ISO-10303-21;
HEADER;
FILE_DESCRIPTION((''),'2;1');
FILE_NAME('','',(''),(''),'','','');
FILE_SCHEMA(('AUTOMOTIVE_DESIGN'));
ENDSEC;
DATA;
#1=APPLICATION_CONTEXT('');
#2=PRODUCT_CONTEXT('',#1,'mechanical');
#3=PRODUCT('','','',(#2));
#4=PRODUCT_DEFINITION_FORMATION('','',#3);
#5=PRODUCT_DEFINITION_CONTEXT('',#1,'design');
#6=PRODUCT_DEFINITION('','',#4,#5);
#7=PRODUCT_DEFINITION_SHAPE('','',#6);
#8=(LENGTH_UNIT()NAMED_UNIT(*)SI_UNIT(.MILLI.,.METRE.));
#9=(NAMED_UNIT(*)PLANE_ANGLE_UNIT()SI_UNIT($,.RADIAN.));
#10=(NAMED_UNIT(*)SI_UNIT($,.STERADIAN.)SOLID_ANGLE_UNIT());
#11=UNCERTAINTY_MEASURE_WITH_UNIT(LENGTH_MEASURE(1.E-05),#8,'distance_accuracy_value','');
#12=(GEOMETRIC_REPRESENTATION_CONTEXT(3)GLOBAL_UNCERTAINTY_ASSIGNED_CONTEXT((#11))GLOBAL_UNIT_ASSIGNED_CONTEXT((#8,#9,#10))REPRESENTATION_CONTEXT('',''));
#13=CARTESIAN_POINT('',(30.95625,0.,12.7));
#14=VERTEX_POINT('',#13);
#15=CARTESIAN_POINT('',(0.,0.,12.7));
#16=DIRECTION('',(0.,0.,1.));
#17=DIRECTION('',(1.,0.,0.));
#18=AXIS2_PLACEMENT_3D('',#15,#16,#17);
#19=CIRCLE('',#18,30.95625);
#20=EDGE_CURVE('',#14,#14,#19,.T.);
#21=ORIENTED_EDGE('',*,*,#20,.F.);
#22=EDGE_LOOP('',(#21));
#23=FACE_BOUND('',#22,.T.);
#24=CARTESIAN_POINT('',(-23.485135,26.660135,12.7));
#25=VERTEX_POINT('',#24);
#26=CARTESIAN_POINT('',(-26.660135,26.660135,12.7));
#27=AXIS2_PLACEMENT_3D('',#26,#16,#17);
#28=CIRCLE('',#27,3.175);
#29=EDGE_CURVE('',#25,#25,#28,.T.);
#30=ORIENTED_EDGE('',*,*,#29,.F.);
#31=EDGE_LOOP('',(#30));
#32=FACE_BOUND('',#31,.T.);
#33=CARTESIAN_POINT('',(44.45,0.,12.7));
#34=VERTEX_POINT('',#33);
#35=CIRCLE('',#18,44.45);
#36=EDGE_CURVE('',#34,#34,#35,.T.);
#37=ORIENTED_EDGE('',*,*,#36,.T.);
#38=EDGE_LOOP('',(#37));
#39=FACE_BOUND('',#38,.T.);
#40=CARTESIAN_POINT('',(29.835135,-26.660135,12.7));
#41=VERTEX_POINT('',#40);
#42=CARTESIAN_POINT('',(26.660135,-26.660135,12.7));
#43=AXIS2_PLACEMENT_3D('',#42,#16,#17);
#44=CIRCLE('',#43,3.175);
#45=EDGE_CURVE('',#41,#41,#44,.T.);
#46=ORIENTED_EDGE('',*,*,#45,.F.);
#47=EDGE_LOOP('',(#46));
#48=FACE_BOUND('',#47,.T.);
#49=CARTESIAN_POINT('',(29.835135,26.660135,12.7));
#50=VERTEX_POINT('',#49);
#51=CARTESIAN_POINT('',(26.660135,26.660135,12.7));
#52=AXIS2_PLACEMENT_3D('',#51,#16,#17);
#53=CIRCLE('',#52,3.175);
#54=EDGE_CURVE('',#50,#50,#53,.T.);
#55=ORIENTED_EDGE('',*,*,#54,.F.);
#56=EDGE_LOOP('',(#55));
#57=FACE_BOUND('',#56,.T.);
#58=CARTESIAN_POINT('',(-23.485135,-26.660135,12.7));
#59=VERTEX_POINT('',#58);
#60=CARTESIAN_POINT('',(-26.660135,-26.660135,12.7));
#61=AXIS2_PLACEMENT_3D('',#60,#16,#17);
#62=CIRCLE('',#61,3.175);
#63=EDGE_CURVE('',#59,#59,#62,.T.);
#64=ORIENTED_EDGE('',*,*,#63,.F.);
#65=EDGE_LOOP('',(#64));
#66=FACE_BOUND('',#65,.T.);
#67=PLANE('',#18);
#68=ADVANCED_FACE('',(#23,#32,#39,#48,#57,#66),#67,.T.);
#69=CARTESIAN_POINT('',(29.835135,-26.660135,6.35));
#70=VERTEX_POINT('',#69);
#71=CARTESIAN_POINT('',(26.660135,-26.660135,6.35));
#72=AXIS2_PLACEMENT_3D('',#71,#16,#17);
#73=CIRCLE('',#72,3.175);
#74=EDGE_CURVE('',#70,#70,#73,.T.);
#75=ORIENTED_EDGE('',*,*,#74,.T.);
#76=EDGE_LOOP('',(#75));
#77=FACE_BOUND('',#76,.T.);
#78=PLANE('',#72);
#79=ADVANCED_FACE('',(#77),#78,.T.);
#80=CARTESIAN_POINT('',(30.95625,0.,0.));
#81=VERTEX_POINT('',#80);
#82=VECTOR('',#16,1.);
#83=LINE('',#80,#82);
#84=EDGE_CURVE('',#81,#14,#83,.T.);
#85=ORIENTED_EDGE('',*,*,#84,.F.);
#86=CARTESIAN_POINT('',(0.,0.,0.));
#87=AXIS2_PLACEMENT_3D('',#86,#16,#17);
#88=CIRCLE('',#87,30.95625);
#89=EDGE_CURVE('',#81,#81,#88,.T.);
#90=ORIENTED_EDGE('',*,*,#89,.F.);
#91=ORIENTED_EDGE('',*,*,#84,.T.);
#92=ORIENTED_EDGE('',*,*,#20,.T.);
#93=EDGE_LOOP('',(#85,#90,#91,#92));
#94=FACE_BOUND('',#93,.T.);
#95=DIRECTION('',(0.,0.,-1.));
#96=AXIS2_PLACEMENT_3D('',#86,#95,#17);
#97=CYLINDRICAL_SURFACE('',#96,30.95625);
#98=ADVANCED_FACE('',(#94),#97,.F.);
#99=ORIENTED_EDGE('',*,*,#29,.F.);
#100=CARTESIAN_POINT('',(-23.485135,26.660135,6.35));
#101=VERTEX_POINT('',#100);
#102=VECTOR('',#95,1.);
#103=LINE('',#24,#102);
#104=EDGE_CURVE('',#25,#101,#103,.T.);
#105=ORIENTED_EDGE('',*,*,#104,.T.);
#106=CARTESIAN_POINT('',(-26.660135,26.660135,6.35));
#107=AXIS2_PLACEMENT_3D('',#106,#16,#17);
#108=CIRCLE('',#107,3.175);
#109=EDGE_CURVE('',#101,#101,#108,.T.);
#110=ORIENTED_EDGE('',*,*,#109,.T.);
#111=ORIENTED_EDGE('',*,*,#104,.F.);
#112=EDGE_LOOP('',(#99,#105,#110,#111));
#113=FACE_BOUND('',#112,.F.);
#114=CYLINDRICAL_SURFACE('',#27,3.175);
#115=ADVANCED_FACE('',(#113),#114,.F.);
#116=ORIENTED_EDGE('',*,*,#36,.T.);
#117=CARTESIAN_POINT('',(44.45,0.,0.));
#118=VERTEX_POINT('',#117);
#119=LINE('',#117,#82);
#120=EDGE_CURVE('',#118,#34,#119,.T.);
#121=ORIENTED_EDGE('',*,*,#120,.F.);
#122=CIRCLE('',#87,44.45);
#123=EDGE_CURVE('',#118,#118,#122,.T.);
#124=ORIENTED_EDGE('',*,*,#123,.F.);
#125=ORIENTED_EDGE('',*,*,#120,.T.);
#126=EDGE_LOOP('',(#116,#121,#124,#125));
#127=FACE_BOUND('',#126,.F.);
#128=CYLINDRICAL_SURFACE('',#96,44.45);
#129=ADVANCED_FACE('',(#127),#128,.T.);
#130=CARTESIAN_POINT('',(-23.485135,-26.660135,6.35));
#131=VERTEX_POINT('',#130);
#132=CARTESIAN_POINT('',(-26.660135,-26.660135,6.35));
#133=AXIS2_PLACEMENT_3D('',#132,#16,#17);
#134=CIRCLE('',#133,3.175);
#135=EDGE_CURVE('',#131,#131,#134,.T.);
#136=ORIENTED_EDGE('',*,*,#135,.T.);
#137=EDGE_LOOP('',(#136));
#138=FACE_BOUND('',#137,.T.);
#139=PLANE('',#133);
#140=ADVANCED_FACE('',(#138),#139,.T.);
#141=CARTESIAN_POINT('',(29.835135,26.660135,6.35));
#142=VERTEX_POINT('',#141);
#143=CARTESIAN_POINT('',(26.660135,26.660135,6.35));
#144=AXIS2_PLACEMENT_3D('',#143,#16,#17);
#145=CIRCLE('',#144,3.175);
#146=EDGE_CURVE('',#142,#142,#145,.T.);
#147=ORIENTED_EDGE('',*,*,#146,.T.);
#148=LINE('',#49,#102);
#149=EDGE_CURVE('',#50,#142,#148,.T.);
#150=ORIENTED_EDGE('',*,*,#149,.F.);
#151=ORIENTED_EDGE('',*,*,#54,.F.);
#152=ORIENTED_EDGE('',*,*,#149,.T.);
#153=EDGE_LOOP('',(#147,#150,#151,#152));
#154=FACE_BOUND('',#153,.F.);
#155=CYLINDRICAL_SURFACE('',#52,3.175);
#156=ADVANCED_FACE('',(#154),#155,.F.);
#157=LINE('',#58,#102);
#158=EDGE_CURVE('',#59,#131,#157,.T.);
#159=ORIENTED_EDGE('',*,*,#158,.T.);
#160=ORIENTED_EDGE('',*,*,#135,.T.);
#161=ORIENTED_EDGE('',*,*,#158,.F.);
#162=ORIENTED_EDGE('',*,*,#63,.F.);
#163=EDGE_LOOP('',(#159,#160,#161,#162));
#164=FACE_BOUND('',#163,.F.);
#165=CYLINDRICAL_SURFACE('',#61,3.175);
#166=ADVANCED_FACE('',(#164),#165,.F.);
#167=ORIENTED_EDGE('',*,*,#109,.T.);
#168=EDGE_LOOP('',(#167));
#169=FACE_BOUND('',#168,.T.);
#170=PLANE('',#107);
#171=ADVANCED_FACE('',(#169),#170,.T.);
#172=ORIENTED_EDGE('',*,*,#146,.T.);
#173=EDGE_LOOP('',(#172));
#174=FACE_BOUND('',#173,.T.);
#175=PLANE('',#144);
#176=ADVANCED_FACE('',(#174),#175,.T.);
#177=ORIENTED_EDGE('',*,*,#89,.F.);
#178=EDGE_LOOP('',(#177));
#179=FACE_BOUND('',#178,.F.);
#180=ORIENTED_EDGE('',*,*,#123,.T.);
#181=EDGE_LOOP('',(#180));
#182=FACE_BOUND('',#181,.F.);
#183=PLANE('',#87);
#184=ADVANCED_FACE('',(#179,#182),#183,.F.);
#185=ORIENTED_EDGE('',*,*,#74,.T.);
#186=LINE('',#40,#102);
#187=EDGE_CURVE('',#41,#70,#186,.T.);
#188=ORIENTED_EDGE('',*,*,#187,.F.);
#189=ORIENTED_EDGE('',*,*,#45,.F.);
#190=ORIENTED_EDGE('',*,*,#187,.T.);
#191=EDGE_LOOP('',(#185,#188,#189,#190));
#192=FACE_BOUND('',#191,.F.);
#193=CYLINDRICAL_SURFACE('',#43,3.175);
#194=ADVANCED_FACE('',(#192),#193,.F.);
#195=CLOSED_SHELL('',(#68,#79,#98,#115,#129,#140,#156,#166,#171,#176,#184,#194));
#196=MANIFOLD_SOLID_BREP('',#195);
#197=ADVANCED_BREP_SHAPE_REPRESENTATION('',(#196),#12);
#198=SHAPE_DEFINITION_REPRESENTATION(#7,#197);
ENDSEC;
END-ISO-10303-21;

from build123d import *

# Parameters (mm, degrees)
F0_R     = 44.45
F0_R_2   = 30.95625
F1_DEPTH = 12.7
F2_R     = 3.175
F3_DEPTH = 6.35


with BuildPart() as f1:
    # F0 (on Top) → F1 (new body)
    with BuildSketch(Plane.XY):
        Circle(F0_R)
        Circle(F0_R_2, mode=Mode.SUBTRACT)
    extrude(amount=F1_DEPTH)

    # F2 (on face) → F3 (cut)
    with BuildSketch(Plane.XY.offset(12.7)):
        with Locations((26.660135, 26.660135)):
            Circle(F2_R)
        with Locations((-26.660135, 26.660135)):
            Circle(F2_R)
        with Locations((-26.660135, -26.660135)):
            Circle(F2_R)
        with Locations((26.660135, -26.660135)):
            Circle(F2_R)
    extrude(amount=-F3_DEPTH, mode=Mode.SUBTRACT)


solid = f1.part
